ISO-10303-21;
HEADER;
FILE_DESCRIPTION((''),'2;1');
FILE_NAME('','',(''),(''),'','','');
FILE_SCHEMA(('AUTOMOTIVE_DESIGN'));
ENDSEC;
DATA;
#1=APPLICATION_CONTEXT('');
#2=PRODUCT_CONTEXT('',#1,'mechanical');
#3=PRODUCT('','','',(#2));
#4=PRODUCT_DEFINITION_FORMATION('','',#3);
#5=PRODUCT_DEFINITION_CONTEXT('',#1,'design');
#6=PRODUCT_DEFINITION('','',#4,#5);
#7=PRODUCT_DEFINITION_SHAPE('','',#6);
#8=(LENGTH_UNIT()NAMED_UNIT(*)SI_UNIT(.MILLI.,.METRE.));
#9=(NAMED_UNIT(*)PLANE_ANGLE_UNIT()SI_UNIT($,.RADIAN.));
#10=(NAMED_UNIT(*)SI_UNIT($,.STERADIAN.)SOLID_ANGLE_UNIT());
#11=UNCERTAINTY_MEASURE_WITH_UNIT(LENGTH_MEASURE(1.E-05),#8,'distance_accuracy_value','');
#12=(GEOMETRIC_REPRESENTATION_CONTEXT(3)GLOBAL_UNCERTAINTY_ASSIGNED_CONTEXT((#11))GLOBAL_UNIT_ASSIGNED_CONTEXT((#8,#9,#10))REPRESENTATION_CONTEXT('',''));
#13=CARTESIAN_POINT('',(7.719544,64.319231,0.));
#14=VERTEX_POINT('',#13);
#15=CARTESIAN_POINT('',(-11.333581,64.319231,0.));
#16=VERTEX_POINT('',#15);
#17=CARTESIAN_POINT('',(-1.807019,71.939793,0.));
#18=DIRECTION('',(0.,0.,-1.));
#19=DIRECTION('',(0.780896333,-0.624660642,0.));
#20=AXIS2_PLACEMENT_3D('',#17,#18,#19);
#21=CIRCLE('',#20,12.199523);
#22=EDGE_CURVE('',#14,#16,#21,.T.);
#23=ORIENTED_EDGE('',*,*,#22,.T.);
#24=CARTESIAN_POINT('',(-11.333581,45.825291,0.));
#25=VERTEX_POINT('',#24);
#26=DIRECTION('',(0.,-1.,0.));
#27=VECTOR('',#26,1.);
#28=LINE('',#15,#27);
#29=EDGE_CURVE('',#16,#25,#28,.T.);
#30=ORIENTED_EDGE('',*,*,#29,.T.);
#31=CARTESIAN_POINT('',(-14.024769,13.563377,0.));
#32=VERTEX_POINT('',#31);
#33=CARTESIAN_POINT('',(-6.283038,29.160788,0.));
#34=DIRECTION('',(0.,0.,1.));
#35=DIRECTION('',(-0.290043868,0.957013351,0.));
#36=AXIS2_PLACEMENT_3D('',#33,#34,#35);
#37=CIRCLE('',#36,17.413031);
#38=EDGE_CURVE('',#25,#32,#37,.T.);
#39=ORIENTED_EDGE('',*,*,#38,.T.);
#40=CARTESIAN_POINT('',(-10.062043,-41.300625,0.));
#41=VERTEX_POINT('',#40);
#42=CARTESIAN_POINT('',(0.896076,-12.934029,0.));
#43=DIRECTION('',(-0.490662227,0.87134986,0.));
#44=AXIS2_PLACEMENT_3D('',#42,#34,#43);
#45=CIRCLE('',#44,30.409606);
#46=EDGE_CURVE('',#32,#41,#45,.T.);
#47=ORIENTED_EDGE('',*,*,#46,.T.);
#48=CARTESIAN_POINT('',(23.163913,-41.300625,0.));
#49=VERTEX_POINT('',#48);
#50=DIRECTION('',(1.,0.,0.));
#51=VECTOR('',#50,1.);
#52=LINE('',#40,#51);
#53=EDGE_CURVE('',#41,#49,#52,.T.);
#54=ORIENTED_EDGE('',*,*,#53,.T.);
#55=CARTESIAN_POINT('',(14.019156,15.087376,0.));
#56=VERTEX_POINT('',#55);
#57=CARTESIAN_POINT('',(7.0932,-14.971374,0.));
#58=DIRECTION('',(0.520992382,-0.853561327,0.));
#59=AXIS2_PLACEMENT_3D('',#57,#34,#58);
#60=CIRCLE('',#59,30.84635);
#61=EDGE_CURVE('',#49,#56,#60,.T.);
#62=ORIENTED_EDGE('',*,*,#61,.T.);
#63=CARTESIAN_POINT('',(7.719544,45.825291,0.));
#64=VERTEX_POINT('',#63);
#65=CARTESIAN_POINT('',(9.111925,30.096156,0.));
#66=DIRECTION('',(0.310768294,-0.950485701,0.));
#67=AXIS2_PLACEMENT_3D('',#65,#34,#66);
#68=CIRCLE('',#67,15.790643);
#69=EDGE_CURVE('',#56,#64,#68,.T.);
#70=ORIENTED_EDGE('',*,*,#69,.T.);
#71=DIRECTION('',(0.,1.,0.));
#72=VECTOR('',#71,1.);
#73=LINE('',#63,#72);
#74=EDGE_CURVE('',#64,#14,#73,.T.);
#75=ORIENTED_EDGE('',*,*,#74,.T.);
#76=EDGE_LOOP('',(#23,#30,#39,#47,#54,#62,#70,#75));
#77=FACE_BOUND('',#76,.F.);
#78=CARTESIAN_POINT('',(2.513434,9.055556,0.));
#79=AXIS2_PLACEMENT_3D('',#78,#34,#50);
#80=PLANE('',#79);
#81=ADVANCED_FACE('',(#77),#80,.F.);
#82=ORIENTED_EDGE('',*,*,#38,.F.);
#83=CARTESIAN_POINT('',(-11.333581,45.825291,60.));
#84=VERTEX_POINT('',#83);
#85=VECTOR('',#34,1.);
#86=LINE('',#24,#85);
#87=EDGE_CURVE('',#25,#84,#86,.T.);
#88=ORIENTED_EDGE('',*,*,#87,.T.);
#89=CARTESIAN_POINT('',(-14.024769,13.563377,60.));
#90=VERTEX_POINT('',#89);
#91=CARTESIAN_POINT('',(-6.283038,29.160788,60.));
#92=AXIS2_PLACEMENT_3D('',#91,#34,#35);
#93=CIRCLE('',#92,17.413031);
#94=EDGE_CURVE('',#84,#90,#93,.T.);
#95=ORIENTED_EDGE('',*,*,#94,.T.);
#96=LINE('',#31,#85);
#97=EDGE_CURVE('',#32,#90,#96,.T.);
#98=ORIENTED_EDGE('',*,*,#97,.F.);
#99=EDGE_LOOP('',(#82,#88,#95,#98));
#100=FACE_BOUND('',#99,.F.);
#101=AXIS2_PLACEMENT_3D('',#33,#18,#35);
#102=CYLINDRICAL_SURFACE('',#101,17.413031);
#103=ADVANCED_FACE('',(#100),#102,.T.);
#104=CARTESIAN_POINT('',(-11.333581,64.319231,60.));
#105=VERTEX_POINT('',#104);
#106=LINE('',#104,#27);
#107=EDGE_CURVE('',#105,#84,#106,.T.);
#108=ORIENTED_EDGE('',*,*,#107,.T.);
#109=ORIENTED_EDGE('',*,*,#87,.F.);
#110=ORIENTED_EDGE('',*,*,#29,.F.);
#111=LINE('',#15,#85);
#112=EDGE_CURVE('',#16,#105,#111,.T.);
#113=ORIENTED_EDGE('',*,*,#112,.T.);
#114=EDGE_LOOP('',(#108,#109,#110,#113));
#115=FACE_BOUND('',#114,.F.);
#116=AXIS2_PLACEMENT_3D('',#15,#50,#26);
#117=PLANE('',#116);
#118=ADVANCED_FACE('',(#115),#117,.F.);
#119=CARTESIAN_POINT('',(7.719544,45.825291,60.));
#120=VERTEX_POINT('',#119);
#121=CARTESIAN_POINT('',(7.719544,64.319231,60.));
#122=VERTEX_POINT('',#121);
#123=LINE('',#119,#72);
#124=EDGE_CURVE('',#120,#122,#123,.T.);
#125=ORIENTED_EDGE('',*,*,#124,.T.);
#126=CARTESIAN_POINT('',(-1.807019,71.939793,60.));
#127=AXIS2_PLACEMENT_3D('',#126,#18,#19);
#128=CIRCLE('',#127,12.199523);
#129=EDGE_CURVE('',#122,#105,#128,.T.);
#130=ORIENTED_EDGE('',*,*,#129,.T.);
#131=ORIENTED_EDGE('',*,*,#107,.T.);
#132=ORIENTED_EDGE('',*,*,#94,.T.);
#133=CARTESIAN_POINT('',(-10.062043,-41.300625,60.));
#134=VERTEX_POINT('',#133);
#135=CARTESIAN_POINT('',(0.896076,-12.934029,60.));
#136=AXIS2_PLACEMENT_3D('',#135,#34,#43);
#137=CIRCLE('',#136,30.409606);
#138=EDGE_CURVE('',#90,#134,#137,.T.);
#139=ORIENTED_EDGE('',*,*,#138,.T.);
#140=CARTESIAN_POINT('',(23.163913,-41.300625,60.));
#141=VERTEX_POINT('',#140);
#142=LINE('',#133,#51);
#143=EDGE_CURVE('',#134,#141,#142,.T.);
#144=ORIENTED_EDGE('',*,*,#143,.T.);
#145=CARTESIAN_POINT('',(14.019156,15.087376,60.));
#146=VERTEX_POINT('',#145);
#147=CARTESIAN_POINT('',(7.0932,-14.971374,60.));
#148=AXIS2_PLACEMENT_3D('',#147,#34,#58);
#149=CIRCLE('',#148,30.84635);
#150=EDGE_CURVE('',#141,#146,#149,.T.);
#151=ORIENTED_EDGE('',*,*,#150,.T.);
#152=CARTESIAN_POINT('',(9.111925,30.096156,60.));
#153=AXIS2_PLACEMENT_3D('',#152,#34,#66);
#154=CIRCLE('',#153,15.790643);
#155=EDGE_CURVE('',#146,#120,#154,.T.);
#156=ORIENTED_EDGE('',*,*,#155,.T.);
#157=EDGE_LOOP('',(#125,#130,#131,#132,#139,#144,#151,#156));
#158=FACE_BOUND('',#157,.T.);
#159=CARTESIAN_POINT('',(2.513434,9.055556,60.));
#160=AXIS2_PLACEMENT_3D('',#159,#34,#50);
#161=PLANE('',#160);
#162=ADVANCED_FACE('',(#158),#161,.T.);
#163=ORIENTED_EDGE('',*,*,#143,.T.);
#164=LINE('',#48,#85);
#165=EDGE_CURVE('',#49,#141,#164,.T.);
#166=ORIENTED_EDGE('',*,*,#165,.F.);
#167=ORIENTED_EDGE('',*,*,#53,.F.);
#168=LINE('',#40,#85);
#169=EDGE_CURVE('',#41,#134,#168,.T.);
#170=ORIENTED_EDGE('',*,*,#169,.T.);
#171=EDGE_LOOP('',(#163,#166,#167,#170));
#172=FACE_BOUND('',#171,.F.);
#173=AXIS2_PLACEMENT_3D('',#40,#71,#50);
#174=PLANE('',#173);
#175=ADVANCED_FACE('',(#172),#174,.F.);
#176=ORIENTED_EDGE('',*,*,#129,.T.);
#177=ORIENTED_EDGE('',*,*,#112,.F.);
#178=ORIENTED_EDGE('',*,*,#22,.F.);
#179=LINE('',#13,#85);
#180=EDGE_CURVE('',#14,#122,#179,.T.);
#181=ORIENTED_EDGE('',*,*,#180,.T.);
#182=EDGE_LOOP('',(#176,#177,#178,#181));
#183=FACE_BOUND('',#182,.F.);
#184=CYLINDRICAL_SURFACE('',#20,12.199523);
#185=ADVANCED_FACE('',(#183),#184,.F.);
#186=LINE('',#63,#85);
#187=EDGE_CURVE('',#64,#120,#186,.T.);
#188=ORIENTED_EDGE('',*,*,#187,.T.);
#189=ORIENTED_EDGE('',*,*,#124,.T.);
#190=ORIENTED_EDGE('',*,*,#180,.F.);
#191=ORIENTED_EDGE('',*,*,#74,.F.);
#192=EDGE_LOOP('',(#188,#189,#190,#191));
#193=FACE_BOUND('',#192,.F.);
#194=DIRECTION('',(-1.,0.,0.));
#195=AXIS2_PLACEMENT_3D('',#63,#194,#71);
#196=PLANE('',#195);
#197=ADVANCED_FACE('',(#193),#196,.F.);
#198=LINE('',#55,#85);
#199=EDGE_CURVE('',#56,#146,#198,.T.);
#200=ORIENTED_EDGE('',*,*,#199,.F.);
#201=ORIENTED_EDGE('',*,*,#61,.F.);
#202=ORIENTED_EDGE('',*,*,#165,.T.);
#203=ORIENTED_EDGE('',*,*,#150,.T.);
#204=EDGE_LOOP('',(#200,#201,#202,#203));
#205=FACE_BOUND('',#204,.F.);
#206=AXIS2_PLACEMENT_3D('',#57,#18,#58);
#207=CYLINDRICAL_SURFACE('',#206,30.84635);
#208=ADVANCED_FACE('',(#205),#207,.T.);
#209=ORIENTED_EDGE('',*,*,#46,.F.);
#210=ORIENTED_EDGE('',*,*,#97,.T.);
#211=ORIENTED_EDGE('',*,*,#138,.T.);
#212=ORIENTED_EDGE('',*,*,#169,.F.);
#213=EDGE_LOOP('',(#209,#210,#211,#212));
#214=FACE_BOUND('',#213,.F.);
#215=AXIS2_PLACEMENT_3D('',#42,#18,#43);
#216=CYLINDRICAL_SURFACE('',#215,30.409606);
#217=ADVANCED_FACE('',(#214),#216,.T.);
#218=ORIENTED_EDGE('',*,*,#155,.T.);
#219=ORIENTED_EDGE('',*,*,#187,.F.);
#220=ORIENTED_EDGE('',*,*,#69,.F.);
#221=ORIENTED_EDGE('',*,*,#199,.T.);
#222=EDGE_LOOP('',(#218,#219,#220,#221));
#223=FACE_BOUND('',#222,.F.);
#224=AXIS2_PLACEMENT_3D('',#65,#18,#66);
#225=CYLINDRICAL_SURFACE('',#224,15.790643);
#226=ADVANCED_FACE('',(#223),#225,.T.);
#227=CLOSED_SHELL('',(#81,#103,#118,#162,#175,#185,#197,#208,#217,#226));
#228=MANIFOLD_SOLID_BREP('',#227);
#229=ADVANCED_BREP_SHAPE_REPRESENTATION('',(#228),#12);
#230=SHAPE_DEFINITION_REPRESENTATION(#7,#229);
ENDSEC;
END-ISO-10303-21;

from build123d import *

# Parameters (mm, degrees)
F1_DEPTH = 60


with BuildPart() as f1:
    # F0 (on Top) → F1 (new body)
    with BuildSketch(Plane.XY):
        with BuildLine():
            Line((0, -41.300625), (23.163913, -41.300625))
            ThreePointArc((23.163913, -41.300625), (37.541736, -10.033364), (14.019156, 15.087376))
            ThreePointArc((14.019156, 15.087376), (24.581036, 33.266488), (7.719544, 45.825291))
            Line((7.719544, 45.825291), (7.719544, 64.319231))
            ThreePointArc((7.719544, 64.319231), (-1.807018, 59.74027), (-11.333581, 64.319231))
            Line((-11.333581, 64.319231), (-11.333581, 45.825291))
            ThreePointArc((-11.333581, 45.825291), (-23.6358, 30.608301), (-14.024769, 13.563377))
            ThreePointArc((-14.024769, 13.563377), (-29.434517, -15.124752), (-10.062043, -41.300625))
            Line((-10.062043, -41.300625), (0, -41.300625))
        make_face()
    extrude(amount=F1_DEPTH)


solid = f1.part
